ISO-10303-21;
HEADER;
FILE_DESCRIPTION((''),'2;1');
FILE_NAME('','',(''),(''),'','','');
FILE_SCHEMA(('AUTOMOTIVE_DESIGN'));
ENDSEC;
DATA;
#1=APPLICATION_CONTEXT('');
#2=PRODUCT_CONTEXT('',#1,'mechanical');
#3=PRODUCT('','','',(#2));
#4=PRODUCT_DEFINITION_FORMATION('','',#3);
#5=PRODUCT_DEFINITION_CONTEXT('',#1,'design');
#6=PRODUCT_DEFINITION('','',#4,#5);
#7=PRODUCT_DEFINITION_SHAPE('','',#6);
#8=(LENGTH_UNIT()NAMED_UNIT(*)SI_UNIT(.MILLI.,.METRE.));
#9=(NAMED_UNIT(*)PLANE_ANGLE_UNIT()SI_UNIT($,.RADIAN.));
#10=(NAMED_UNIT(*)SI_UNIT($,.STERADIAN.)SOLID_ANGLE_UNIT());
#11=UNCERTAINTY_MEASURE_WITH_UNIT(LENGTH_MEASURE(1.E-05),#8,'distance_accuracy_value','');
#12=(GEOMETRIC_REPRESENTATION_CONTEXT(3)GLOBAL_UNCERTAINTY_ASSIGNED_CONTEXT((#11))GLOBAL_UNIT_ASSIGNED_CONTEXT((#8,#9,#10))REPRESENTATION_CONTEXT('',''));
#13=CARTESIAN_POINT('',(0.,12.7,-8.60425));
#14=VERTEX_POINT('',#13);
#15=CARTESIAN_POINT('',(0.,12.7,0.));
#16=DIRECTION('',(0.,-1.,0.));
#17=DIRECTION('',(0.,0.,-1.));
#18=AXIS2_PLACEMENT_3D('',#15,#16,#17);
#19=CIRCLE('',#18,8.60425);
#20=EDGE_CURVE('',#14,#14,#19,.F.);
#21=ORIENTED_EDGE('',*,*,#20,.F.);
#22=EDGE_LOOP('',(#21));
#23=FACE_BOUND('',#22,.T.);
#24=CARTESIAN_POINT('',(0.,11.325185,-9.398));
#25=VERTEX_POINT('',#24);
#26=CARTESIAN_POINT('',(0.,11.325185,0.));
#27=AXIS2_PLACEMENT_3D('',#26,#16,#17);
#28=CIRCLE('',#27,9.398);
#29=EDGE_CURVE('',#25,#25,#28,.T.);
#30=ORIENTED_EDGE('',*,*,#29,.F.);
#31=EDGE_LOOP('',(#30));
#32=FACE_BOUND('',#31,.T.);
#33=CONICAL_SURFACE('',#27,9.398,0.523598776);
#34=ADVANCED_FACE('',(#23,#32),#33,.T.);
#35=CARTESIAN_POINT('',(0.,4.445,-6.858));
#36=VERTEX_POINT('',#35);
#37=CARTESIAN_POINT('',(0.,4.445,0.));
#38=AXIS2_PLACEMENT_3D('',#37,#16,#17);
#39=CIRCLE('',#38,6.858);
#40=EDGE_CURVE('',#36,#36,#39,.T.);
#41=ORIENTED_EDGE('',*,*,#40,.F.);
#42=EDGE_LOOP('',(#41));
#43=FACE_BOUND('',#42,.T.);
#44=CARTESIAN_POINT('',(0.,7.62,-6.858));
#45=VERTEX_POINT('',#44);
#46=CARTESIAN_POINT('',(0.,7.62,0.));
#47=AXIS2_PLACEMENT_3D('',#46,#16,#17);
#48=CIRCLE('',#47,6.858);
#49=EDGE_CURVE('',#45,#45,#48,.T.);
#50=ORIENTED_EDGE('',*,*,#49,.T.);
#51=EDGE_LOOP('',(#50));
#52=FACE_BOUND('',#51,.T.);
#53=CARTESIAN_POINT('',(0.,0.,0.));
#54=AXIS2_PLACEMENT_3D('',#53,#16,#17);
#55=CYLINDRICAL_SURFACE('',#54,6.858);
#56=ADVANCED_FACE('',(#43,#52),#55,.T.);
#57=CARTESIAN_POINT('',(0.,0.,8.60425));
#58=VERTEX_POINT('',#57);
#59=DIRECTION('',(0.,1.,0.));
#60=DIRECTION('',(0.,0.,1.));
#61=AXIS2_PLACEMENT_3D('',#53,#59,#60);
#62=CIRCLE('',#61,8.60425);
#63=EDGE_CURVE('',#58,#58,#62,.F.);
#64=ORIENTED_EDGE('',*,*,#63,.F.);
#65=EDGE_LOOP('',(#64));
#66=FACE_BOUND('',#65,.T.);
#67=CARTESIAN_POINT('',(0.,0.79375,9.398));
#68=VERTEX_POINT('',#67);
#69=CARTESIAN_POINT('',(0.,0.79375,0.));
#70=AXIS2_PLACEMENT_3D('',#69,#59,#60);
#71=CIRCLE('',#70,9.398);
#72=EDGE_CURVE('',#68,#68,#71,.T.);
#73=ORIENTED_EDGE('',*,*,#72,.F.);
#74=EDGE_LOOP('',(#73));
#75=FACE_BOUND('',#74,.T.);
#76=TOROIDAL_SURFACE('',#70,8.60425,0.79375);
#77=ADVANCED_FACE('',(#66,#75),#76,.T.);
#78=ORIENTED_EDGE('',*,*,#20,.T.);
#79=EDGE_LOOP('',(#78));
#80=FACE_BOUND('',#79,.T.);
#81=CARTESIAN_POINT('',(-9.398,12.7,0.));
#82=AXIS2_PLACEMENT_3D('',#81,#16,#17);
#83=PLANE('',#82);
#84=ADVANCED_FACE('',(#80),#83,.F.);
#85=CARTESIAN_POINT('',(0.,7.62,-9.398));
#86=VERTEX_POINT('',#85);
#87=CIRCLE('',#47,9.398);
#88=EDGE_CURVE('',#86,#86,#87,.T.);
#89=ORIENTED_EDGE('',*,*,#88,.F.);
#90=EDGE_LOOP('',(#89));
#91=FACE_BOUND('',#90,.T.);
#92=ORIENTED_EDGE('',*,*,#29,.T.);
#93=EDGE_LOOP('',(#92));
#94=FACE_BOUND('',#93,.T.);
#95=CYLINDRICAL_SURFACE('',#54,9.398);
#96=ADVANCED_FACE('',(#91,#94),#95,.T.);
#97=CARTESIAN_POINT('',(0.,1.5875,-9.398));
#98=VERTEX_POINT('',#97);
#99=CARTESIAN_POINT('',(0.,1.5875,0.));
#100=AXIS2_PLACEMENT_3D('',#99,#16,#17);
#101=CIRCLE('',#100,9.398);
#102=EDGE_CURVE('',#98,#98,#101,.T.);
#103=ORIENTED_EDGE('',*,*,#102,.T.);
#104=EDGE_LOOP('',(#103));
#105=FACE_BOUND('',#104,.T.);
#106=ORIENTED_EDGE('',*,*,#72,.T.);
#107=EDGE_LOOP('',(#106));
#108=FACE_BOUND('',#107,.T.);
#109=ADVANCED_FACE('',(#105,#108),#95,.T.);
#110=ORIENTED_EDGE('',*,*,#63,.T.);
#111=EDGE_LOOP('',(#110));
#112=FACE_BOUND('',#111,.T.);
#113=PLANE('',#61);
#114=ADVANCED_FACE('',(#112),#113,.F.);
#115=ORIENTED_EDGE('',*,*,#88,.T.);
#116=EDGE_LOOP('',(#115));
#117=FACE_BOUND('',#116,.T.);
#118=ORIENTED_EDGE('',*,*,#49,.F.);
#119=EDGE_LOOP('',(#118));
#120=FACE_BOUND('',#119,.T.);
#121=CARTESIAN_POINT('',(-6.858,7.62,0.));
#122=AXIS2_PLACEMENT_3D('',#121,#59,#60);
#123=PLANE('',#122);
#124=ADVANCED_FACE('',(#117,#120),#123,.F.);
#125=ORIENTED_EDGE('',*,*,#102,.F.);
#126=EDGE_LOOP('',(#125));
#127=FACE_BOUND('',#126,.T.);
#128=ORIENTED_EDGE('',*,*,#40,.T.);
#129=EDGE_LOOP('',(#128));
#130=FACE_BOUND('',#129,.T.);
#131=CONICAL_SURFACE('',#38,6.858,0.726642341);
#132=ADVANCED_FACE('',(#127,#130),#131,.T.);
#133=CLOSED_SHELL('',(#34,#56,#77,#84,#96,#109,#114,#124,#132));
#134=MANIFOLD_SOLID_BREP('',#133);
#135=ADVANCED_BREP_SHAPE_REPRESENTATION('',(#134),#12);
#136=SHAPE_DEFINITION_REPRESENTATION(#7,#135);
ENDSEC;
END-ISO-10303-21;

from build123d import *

# Parameters (mm, degrees)
FILLET1_R      = 0.79375
CHAMFER1_SIZE  = 0.79375
CHAMFER1_SIZE2 = 1.374815329


with BuildPart() as part:
    # Sketch1 → Revolve1 (revolve)
    with BuildSketch(Plane.XY):
        Polygon((0, 0), (-9.398, 0), (-9.398, 1.5875), (-6.858, 4.445), (-6.858, 7.62), (-9.398, 7.62), (-9.398, 12.7), (0, 12.7), align=None)
    revolve(axis=Axis((0, 0, 0), (0, 1, 0)))

    # Fillet1
    fillet1_edges = [part.edges().sort_by_distance(p)[0] for p in [
        (9.398, 0, 0),
    ]]
    fillet(fillet1_edges, radius=FILLET1_R)

    # Chamfer1
    chamfer1_edges = [part.edges().sort_by_distance(p)[0] for p in [
        (9.398, 12.7, 0),
    ]]
    chamfer1_side = [part.faces().sort_by_distance(p)[0] for p in [
        (0, 12.7, 0),
    ]]
    chamfer(chamfer1_edges, length=CHAMFER1_SIZE, length2=CHAMFER1_SIZE2, reference=chamfer1_side[0])


solid = part.part
